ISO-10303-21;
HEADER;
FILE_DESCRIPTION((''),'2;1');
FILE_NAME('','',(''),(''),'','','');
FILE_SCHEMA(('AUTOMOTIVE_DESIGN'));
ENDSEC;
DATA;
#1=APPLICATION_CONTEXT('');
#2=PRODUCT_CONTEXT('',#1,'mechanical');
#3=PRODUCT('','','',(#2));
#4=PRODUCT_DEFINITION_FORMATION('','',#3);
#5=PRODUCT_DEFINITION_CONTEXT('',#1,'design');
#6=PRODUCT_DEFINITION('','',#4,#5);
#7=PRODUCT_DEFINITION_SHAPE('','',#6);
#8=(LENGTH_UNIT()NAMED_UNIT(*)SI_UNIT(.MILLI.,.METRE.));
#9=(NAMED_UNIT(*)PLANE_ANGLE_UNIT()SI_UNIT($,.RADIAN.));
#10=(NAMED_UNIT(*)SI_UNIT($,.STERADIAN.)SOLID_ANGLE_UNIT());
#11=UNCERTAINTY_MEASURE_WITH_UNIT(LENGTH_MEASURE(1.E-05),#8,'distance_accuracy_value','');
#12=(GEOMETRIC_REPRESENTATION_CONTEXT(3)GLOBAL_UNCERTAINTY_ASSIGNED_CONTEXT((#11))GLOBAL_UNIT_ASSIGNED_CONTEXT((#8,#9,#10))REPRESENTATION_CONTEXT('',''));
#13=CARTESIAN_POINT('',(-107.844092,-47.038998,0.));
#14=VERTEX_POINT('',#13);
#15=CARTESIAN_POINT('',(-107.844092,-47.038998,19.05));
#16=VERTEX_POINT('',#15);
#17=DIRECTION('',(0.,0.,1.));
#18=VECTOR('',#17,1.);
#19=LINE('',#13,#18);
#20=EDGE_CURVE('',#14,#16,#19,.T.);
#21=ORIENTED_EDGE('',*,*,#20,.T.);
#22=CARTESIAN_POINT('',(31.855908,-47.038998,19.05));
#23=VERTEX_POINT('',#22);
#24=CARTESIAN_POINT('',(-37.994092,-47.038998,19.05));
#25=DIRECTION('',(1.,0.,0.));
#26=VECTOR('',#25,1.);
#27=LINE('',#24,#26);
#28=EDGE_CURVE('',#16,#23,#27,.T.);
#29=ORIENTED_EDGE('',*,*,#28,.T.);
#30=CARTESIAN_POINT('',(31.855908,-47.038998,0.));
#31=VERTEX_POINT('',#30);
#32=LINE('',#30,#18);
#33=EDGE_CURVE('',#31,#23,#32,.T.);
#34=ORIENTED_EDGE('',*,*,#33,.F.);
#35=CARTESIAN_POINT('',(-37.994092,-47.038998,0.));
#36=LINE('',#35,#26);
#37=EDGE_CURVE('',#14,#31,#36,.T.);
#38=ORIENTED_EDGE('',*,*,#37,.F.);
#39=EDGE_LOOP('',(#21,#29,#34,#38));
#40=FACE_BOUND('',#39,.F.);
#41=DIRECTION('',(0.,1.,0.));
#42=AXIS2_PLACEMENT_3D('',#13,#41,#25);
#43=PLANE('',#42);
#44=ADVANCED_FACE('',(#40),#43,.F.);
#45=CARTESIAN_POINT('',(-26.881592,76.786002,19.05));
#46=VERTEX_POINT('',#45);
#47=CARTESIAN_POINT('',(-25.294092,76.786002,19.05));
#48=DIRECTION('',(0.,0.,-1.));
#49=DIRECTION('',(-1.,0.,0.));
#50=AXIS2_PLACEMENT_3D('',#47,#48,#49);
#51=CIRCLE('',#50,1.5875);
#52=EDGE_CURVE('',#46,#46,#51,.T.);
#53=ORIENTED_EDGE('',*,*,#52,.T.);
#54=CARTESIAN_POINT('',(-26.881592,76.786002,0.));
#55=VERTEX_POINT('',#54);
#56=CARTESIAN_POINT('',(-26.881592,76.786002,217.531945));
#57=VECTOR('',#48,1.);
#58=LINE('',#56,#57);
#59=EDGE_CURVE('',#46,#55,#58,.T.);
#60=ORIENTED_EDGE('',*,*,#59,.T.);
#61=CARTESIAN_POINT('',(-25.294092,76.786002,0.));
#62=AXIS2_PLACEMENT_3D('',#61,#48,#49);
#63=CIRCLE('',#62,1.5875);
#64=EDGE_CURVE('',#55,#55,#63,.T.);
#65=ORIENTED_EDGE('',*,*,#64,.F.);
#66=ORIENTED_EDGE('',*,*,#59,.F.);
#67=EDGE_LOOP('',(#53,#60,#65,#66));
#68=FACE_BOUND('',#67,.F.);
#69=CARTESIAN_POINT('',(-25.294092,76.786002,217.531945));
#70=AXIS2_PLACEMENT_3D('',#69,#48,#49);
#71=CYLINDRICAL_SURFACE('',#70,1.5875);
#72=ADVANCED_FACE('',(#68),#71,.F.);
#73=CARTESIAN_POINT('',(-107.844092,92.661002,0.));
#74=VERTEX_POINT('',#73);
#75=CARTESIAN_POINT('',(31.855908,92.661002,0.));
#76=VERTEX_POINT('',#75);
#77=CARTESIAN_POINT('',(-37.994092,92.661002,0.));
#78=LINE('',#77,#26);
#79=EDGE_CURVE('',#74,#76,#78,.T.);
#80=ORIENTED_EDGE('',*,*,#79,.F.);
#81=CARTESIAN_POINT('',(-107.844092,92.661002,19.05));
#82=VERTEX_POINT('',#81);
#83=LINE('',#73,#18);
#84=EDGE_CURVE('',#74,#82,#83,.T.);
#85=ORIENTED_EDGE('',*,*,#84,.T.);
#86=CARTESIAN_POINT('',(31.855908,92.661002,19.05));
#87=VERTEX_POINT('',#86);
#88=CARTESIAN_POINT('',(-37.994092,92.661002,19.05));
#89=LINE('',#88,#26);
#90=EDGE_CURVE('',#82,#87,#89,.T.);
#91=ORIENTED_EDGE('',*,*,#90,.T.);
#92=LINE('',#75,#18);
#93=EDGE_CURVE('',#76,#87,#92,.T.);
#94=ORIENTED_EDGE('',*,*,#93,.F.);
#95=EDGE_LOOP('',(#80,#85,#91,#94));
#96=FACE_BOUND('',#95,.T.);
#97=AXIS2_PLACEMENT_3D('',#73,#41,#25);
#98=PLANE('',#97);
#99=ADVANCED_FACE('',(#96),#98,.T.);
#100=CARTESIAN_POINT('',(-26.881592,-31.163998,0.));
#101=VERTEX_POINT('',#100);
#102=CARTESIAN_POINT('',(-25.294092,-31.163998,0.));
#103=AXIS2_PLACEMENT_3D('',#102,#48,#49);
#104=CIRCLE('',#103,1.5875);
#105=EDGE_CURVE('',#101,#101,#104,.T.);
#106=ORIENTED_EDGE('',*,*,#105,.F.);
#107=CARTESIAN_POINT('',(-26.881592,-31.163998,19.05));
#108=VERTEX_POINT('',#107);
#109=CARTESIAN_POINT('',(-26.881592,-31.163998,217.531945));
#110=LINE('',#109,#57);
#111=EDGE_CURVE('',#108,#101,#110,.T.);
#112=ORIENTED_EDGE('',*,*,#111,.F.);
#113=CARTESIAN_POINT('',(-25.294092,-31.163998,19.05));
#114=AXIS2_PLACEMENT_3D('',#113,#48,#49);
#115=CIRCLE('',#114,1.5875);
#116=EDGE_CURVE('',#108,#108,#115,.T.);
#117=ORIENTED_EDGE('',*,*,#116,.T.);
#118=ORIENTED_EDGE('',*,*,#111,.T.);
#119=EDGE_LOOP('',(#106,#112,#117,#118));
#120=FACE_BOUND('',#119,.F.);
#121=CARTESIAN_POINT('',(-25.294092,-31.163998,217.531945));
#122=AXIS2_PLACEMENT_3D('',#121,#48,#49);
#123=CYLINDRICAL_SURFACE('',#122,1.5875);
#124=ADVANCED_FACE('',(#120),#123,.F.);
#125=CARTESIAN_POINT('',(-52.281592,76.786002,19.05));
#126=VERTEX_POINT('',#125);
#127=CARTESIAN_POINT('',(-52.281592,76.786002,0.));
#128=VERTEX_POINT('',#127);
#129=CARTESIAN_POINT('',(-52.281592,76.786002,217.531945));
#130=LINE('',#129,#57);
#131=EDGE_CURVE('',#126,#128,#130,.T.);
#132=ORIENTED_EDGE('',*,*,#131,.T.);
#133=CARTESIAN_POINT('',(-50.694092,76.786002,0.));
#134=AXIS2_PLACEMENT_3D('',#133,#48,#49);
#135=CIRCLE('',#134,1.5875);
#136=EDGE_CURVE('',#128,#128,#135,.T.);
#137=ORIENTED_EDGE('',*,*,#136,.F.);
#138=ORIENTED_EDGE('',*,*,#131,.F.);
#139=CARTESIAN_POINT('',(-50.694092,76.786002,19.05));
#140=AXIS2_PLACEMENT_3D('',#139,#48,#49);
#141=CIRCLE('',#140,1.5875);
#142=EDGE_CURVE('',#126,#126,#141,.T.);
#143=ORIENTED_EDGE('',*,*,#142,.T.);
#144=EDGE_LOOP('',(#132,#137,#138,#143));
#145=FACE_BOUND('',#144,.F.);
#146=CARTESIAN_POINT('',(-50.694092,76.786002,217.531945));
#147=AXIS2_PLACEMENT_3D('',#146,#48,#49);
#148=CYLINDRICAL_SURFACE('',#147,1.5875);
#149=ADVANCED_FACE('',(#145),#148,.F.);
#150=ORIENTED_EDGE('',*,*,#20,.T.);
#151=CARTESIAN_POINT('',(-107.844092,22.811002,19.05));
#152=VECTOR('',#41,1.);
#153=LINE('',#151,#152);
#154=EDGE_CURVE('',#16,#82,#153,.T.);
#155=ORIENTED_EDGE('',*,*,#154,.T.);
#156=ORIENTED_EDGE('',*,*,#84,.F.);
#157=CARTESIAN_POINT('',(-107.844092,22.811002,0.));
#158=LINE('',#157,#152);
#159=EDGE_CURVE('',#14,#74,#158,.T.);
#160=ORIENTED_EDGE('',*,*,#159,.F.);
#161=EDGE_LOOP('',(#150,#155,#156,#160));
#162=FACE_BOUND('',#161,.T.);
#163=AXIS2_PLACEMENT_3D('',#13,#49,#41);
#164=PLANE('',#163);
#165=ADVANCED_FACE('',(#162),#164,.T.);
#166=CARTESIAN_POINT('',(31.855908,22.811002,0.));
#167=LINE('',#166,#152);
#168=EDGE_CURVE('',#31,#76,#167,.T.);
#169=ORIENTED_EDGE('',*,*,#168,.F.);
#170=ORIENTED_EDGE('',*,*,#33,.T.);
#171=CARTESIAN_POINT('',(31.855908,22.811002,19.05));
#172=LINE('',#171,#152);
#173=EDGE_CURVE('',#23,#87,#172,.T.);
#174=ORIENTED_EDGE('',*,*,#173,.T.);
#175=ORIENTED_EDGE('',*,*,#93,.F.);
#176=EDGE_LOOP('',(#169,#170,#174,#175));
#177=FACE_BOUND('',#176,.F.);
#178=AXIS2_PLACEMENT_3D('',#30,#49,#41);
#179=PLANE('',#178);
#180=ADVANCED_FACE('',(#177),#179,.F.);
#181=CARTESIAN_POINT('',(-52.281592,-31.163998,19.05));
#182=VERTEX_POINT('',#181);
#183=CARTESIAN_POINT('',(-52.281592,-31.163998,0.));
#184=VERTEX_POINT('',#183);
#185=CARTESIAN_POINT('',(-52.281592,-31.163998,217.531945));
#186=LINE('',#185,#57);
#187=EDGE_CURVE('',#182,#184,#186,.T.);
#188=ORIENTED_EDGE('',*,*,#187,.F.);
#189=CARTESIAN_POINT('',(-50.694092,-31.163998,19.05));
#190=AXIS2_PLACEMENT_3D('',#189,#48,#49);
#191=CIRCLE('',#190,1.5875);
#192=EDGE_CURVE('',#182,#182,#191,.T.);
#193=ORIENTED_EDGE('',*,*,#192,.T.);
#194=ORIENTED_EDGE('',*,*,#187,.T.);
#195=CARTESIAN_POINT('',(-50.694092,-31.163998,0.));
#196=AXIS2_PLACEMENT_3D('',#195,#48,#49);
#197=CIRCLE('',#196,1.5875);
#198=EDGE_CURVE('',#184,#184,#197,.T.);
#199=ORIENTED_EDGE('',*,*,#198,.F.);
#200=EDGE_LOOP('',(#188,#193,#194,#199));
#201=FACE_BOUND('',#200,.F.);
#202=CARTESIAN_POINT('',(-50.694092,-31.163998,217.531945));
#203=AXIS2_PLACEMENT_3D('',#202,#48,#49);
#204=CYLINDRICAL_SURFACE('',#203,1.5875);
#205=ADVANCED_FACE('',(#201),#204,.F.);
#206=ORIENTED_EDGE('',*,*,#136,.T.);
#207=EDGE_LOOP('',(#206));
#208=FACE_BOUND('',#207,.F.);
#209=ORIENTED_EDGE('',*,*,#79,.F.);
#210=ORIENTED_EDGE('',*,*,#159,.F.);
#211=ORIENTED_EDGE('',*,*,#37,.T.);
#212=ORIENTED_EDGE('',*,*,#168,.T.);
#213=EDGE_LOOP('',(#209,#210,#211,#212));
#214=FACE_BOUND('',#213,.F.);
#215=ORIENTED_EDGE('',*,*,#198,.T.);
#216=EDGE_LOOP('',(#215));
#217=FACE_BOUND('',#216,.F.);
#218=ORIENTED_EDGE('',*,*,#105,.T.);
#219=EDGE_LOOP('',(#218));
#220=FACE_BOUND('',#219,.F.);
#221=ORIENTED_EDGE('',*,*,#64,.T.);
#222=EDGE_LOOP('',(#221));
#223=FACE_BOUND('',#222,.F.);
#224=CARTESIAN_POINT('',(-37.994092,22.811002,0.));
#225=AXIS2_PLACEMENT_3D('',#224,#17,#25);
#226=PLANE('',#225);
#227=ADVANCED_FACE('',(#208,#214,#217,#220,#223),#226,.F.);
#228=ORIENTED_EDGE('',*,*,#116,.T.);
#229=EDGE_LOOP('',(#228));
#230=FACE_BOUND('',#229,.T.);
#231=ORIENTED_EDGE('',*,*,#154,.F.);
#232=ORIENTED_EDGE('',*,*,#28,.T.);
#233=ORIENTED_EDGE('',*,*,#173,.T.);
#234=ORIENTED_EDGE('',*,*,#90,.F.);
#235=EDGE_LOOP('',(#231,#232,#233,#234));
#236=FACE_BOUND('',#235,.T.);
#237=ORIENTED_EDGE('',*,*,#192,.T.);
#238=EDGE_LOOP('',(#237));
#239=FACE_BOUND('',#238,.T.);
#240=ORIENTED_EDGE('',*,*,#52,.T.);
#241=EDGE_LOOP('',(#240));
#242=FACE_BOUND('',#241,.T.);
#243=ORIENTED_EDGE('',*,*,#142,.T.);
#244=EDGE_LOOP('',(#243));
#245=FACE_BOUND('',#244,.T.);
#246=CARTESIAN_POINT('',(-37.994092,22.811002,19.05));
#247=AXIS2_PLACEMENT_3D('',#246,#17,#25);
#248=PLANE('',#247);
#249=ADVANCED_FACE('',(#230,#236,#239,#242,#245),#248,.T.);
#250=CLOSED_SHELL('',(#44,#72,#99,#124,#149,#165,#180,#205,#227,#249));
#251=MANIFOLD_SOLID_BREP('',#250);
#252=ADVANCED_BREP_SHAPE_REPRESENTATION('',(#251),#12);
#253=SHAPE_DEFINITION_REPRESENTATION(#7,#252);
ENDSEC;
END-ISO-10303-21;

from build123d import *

# Parameters (mm, degrees)
F0_W     = 139.7
F0_H     = 139.7
F1_DEPTH = 19.05
F3_D     = 3.175


with BuildPart() as f1:
    # F0 (on Top) → F1 (new body)
    with BuildSketch(Plane.XY):
        with Locations((-37.994092, 22.811002)):
            Rectangle(F0_W, F0_H)
    extrude(amount=F1_DEPTH)

    # F3 (through all)
    with Locations(Plane.XY.offset(19.05)):
        with Locations((-50.694092, -31.163998), (-25.294092, -31.163998), (-50.694092, 76.786002), (-25.294092, 76.786002)):
            Hole(F3_D / 2)


solid = f1.part
